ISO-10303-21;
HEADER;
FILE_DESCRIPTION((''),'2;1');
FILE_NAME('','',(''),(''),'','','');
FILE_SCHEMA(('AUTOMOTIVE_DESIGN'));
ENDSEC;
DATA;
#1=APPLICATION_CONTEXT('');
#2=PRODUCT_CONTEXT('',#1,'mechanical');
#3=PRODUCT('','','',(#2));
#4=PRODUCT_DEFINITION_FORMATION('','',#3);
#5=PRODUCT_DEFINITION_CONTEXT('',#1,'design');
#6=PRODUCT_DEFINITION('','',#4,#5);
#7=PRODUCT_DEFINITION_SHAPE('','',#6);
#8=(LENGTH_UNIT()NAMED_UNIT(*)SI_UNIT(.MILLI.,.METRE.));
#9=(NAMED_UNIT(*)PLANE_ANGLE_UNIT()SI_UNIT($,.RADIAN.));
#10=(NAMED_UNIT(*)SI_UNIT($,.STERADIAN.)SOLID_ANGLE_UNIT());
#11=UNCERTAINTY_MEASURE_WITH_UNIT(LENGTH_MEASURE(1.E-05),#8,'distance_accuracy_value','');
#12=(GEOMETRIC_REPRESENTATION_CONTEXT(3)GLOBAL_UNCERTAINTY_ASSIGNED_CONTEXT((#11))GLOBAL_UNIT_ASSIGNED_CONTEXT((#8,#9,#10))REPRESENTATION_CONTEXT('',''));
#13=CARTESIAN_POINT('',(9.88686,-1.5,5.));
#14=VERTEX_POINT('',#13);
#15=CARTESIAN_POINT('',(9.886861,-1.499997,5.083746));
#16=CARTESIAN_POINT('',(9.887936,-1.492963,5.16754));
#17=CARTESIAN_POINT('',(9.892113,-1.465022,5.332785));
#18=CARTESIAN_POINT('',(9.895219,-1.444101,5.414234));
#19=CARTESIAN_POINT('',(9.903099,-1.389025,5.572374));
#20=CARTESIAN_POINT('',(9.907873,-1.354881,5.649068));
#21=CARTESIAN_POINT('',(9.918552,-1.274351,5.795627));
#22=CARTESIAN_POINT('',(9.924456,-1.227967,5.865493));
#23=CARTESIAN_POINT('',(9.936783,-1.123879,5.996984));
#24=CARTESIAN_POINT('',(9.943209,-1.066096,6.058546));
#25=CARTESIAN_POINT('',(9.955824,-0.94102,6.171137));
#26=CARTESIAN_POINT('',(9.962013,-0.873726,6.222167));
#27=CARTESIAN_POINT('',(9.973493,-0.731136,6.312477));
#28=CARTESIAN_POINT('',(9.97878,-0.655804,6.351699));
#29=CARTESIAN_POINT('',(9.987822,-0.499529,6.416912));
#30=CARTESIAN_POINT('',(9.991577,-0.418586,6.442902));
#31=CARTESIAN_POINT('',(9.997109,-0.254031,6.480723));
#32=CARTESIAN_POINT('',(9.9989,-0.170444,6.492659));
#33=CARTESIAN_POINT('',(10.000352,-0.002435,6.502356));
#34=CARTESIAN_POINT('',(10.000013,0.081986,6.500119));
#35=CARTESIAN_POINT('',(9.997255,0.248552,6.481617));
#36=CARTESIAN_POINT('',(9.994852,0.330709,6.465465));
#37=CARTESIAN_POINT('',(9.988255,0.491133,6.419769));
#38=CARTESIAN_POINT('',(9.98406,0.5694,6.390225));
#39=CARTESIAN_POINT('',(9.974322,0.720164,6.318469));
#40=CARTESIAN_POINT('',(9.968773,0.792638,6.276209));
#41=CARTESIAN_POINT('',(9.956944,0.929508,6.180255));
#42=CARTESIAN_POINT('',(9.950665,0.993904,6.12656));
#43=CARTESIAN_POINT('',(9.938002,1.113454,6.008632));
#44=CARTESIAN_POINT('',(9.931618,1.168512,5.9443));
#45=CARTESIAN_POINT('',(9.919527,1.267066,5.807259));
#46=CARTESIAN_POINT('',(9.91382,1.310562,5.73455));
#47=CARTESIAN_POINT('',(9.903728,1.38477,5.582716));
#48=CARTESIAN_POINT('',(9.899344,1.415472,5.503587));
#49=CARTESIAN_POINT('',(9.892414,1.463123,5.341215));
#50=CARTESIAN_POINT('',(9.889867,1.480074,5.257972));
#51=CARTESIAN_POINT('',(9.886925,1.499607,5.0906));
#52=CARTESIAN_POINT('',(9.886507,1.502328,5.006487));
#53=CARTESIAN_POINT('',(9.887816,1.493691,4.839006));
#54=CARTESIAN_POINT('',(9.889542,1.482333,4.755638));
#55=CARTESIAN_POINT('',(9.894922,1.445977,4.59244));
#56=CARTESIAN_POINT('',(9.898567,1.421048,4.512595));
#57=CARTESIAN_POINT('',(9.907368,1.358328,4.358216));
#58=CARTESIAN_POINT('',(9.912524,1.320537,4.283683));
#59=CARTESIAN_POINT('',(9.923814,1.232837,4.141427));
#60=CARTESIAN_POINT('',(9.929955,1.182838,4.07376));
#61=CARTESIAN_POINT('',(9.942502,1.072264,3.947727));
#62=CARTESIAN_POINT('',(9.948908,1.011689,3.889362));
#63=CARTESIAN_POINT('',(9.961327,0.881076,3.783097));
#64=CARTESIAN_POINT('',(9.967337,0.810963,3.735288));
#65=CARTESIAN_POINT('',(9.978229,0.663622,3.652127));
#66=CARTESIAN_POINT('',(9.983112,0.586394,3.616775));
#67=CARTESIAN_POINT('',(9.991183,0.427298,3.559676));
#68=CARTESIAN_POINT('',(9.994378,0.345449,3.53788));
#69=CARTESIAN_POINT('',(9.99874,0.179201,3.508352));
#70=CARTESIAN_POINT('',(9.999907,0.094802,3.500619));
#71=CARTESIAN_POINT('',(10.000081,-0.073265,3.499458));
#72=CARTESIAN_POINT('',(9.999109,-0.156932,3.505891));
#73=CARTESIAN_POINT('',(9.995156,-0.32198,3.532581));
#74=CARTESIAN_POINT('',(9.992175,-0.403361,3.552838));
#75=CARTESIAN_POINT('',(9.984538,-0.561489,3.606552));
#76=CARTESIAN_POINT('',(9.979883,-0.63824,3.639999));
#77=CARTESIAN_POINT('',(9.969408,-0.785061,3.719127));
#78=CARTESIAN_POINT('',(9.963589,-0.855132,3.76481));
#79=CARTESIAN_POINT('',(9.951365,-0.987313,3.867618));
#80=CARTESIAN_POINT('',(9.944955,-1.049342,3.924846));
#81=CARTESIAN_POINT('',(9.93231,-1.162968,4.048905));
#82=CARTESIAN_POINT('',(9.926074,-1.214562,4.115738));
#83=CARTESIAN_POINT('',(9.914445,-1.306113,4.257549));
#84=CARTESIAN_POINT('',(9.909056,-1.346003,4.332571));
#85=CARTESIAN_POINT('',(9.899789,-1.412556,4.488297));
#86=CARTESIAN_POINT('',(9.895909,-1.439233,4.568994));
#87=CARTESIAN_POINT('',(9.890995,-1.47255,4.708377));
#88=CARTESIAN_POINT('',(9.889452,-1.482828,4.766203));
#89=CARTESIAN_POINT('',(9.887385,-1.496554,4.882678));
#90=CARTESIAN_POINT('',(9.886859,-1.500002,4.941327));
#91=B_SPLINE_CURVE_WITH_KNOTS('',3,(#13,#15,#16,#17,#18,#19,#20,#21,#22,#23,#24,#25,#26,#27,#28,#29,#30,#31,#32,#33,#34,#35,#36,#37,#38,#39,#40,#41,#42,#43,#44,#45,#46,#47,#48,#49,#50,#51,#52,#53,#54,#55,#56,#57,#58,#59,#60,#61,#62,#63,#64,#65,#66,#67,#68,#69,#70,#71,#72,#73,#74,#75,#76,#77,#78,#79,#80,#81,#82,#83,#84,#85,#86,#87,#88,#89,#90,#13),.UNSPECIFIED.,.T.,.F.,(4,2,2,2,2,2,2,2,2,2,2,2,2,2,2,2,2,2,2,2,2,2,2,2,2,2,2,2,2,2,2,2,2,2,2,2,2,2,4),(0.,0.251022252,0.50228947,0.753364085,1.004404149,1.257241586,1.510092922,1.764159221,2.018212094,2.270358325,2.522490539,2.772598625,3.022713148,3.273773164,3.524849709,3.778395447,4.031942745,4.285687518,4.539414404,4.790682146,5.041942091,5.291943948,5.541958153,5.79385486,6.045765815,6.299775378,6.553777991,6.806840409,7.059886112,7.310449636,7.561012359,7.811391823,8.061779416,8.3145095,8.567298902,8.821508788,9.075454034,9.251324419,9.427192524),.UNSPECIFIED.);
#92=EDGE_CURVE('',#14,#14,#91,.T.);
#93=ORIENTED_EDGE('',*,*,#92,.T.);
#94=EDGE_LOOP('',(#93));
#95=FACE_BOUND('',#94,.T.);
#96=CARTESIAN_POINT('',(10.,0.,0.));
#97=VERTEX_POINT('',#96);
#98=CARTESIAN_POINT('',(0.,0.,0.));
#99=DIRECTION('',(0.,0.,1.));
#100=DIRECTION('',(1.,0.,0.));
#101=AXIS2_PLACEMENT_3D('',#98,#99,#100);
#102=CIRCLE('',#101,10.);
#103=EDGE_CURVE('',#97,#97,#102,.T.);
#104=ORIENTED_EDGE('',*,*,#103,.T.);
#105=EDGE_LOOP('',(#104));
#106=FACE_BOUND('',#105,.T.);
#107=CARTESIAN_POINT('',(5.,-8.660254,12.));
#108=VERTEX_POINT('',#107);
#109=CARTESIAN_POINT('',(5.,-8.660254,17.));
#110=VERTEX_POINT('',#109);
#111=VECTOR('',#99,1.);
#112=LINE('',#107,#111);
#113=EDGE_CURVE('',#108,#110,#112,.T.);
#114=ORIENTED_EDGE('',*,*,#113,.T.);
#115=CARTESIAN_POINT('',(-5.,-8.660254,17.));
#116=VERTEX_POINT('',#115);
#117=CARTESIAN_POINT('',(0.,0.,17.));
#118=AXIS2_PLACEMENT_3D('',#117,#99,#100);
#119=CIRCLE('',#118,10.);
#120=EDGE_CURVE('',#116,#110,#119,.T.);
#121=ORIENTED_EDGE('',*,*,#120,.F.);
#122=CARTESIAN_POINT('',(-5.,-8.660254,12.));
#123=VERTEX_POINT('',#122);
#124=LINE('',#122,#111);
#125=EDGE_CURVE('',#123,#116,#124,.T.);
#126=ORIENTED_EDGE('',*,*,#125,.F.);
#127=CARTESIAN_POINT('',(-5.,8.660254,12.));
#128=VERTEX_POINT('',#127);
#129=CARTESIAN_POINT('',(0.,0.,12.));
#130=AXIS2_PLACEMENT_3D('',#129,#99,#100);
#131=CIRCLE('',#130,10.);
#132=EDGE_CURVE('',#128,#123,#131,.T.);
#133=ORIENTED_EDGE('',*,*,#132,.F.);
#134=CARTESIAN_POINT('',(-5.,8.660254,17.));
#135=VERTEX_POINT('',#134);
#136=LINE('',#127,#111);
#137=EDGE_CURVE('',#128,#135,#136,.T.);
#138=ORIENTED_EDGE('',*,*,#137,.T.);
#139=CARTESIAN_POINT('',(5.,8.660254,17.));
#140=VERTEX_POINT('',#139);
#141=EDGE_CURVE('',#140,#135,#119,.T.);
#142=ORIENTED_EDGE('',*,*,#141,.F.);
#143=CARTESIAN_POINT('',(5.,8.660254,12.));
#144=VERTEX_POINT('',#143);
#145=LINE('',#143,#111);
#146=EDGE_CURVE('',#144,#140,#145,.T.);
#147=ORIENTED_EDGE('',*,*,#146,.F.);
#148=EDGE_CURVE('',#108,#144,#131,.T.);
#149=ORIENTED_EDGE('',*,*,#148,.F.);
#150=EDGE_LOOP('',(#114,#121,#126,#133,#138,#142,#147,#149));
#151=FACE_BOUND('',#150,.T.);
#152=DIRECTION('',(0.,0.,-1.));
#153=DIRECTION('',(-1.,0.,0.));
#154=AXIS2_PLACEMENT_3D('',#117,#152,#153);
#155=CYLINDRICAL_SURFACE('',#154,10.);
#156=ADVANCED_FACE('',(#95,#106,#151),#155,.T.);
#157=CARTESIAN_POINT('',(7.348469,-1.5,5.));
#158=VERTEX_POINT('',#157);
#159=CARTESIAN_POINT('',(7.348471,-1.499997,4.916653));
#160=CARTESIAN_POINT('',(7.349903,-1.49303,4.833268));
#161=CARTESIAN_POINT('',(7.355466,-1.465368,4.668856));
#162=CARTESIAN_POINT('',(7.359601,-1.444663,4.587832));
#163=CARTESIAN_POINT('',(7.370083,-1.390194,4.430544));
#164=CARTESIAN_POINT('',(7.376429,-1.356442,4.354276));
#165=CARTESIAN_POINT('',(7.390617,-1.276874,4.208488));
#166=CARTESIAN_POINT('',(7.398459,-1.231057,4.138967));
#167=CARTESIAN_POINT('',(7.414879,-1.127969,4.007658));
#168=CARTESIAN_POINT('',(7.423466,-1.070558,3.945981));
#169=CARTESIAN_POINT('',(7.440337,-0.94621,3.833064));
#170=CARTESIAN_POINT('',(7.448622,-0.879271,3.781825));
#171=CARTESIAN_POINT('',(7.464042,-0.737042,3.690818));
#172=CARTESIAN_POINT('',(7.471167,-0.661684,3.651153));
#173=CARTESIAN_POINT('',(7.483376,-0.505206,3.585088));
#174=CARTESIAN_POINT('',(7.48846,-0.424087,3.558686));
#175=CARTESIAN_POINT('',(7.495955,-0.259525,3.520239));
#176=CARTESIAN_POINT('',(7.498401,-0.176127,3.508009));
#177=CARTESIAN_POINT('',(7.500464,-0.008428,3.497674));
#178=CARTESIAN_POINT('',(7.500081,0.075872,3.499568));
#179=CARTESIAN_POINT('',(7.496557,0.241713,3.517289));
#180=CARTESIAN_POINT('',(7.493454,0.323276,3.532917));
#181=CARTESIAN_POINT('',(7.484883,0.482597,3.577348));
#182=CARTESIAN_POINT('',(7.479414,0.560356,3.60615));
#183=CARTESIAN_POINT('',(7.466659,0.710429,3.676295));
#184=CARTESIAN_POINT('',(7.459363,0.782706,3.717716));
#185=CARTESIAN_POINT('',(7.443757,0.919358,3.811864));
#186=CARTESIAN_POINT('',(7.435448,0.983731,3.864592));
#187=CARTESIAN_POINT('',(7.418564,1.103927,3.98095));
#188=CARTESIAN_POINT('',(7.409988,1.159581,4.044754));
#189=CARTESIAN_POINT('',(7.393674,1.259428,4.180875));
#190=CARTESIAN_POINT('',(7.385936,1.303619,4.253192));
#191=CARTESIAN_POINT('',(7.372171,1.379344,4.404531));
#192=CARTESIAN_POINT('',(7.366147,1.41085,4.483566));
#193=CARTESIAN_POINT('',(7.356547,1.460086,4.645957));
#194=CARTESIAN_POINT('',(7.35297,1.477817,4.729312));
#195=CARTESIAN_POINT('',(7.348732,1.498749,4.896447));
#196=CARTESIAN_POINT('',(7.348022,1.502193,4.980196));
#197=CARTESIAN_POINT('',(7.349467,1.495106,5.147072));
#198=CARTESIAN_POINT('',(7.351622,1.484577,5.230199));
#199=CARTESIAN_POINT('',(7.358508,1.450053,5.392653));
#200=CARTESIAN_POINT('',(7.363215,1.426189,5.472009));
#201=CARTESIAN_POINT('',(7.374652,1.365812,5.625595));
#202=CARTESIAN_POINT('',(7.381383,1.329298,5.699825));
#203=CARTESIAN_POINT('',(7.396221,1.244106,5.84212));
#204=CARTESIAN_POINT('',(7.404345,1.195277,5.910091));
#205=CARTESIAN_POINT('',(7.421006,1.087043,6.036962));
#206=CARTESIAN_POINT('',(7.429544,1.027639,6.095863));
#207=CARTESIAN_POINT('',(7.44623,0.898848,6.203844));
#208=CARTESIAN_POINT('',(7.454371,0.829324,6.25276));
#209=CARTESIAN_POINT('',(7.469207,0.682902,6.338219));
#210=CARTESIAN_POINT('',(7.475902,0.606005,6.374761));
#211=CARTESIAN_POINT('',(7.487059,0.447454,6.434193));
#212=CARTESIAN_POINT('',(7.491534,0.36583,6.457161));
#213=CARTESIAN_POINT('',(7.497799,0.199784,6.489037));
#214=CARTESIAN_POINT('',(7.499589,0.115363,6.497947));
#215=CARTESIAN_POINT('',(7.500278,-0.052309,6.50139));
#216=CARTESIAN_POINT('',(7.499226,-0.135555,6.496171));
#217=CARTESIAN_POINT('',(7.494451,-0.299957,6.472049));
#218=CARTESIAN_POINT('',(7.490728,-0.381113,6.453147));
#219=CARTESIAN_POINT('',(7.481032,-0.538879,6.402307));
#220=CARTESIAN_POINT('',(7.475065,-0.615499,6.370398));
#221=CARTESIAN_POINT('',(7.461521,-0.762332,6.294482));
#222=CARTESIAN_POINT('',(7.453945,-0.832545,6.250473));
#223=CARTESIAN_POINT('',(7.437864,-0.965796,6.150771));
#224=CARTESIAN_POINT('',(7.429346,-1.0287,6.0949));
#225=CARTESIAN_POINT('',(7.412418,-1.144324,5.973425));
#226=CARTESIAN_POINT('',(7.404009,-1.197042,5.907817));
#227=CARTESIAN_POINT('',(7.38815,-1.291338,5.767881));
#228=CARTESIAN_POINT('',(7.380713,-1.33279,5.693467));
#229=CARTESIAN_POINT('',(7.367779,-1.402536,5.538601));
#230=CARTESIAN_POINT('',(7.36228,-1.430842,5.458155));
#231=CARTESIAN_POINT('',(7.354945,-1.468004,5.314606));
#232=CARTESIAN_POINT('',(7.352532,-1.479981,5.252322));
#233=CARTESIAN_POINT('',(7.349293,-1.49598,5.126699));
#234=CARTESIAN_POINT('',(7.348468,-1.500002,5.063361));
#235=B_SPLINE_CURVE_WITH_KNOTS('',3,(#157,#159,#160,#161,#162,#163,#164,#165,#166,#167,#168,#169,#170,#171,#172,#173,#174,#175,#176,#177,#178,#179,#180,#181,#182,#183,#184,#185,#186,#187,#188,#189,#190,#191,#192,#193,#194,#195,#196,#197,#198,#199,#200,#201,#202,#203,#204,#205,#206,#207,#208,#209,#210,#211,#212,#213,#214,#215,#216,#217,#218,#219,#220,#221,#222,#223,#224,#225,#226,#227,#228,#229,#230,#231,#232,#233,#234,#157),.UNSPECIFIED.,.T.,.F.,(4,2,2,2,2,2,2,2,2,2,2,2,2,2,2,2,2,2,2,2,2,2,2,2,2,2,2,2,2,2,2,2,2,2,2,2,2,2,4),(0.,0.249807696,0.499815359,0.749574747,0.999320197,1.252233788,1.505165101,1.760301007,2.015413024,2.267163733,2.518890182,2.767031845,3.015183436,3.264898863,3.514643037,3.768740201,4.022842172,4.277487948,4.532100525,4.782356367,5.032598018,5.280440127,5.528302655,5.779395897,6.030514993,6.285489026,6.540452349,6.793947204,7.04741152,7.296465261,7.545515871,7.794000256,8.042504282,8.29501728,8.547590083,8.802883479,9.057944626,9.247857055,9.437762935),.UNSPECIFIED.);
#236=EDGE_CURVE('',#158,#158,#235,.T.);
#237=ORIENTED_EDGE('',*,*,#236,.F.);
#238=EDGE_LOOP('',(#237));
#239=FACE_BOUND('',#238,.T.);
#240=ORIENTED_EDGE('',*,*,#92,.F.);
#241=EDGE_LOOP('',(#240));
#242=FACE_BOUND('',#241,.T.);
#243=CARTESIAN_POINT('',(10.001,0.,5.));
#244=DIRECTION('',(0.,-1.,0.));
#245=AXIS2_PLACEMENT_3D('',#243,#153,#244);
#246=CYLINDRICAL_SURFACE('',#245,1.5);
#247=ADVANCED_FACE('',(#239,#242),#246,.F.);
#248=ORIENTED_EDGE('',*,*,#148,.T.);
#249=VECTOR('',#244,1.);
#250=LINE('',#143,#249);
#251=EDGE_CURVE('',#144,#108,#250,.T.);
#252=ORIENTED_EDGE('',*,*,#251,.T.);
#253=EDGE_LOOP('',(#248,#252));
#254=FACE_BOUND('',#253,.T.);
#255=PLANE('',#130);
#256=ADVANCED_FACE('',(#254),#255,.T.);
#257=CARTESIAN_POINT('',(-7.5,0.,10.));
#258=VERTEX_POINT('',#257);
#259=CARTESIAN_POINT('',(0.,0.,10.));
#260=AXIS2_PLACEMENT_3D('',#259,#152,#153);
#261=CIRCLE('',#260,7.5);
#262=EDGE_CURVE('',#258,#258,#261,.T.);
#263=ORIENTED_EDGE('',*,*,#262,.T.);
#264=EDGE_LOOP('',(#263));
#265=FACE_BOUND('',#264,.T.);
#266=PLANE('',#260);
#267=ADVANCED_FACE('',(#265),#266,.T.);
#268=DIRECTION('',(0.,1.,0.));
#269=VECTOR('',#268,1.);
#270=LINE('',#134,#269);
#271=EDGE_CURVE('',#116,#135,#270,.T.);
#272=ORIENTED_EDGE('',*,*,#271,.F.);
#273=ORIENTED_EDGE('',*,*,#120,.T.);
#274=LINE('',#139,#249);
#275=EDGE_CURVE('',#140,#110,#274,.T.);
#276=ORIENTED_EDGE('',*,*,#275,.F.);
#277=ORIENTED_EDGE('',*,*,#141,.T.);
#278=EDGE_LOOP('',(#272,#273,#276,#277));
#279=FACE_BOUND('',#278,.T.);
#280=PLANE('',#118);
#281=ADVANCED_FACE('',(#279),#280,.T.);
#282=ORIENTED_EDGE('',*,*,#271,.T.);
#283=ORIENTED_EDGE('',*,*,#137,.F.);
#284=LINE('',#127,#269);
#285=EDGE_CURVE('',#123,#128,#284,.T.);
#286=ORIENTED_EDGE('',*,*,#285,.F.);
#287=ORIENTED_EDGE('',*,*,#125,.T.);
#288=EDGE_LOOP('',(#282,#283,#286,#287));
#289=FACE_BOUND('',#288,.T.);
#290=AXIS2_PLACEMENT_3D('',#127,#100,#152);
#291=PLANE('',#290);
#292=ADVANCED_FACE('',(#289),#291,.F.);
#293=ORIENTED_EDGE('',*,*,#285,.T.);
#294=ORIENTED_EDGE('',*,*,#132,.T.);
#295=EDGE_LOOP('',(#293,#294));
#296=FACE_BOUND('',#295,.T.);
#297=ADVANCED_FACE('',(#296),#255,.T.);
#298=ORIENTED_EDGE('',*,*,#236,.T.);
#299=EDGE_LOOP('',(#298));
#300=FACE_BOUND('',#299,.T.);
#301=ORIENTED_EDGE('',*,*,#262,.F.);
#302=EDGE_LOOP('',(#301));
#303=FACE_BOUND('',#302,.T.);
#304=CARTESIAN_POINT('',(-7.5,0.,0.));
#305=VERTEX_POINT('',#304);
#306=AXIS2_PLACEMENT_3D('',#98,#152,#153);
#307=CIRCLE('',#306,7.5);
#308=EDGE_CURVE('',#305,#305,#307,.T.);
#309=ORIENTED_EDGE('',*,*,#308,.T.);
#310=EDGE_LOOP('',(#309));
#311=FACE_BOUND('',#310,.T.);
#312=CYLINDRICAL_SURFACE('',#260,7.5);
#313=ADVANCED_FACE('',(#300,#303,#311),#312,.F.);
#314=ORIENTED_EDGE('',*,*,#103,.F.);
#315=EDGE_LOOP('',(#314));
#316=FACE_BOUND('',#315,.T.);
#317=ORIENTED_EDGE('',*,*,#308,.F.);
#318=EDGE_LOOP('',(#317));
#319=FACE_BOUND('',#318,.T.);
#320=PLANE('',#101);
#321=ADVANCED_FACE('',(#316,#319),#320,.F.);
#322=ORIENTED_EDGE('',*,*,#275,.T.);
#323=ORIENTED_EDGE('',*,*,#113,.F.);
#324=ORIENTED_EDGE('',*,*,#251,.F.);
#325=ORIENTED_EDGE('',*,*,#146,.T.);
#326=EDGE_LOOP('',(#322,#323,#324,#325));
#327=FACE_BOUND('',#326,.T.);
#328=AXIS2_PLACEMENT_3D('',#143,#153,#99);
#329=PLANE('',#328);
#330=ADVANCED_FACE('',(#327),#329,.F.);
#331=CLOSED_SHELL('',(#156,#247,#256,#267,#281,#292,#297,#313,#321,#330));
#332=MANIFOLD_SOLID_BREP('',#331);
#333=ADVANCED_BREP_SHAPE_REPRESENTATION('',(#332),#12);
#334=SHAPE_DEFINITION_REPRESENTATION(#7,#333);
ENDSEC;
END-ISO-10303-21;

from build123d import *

# Parameters (mm, degrees)
ESBO_O1_R                  = 10
RESSALTO_EXTRUS_O1_DEPTH   = 17
ESBO_O4_R                  = 7.5
CORTE_EXTRUS_O3_DEPTH      = 10
CORTE_EXTRUS_O1_START      = -5
CORTE_EXTRUS_O1_DEPTH      = 5
CORTE_EXTRUS_O4_REACH      = 26.779
CORTE_EXTRUS_O4_END_RADIUS = 10
ESBO_O5_R                  = 1.5


with BuildPart() as part:
    # Esboço1 → Ressalto-extrusão1 (new body)
    with BuildSketch(Plane.XY):
        Circle(ESBO_O1_R)
    extrude(amount=RESSALTO_EXTRUS_O1_DEPTH)

    # Esboço4 → Corte-extrusão3 (cut)
    with BuildSketch(Plane(origin=(0, 0, 0), x_dir=(-1, 0, 0), z_dir=(0, 0, -1))):
        Circle(ESBO_O4_R)
    extrude(amount=-CORTE_EXTRUS_O3_DEPTH, mode=Mode.SUBTRACT)

    # Esboço2 → Corte-extrusão1 (cut)
    with BuildSketch(Plane.XY.offset(17).offset(CORTE_EXTRUS_O1_START)):
        with BuildLine():
            Line((-5, 8.660254038), (-5, -8.660254038))
            ThreePointArc((-5, -8.660254038), (-10, 0), (-5, 8.660254038))
        make_face()
        with BuildLine():
            Line((5, 8.660254038), (5, -8.660254038))
            ThreePointArc((5, -8.660254038), (10, 0), (5, 8.660254038))
        make_face()
    extrude(amount=CORTE_EXTRUS_O1_DEPTH, mode=Mode.SUBTRACT)

    # Corte-extrusão4: up to this cylinder (the profile starts inside it)
    corte_extrus_o4_end = Plane(origin=(0, 0, 5), z_dir=(0, 0, -1)) * Cylinder(CORTE_EXTRUS_O4_END_RADIUS, 74.558, mode=Mode.PRIVATE)
    # Esboço5 → Corte-extrusão4 (cut, up to the surface)
    with BuildSketch(Plane(origin=(5, 0, 0), x_dir=(0, 0, -1), z_dir=(1, 0, 0)), mode=Mode.PRIVATE) as corte_extrus_o4_sk1:
        with Locations(Location((-5, 0, 0), (0, 0, 270))):
            Circle(ESBO_O5_R)
    corte_extrus_o4_tool1 = extrude(corte_extrus_o4_sk1.sketch, amount=CORTE_EXTRUS_O4_REACH, mode=Mode.PRIVATE) & corte_extrus_o4_end
    add(corte_extrus_o4_tool1.solids().sort_by_distance((5, 0, 5))[0], mode=Mode.SUBTRACT)


solid = part.part
